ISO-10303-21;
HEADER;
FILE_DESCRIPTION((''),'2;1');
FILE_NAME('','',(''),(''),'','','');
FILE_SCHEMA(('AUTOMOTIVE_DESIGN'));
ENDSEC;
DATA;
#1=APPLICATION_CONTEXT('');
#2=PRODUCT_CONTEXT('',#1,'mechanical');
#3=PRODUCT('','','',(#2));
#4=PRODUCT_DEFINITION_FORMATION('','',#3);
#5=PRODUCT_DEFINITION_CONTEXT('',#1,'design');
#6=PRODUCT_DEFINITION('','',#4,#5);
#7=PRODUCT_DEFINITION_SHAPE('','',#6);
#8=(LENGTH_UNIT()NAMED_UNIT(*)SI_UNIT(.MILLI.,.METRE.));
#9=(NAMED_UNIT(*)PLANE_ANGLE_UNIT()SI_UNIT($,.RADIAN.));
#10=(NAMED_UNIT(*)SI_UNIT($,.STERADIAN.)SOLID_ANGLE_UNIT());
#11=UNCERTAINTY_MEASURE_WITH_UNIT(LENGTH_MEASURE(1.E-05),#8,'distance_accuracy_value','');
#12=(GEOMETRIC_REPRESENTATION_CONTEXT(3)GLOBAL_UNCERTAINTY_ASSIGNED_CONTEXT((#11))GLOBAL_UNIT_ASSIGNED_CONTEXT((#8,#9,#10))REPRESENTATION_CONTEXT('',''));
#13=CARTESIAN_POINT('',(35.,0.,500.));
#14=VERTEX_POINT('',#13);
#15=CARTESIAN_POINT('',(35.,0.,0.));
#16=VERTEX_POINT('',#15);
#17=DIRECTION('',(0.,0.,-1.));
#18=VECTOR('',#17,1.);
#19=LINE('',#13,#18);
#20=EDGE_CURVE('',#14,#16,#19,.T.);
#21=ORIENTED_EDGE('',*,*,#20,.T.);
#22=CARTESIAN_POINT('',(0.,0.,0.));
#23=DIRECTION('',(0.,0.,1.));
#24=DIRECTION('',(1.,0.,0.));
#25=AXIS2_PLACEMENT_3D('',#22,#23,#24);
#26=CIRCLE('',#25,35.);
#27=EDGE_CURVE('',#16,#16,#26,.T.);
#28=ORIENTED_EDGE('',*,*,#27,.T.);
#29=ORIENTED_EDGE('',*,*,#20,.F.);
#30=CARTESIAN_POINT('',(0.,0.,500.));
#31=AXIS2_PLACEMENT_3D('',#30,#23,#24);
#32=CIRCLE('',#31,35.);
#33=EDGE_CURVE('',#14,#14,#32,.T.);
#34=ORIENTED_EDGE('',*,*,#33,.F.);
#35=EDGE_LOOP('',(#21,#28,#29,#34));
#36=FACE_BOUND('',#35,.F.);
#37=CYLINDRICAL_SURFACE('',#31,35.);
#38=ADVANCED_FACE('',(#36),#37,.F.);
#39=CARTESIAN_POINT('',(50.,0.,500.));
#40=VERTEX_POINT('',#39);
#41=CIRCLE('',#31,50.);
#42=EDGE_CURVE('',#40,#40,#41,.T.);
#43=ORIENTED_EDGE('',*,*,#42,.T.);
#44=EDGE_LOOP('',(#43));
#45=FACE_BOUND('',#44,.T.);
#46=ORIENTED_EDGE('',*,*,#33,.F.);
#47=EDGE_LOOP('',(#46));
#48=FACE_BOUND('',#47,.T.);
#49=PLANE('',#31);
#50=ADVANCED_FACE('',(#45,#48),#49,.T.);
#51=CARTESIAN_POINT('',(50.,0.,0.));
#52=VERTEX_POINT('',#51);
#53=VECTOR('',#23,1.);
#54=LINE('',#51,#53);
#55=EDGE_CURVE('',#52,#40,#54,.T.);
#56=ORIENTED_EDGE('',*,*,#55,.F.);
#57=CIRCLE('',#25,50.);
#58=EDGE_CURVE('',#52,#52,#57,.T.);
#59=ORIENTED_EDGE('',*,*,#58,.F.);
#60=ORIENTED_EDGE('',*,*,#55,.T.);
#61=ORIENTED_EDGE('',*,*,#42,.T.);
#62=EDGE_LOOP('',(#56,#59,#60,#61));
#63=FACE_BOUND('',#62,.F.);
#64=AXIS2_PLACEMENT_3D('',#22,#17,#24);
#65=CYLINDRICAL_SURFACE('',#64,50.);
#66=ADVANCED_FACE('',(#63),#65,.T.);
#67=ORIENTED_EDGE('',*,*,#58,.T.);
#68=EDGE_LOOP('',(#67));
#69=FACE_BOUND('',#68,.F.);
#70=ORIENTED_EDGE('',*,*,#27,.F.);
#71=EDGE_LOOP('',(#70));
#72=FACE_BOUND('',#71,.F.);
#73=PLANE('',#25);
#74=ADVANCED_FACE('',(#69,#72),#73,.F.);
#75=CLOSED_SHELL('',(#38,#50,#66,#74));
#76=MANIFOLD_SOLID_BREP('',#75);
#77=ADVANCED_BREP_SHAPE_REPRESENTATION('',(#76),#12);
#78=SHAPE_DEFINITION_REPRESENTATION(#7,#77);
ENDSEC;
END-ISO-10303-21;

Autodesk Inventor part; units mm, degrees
ref_plane "YZ Plane" through (0, 0, 0) normal (1, 0, 0) x (0, 1, 0)
ref_plane "XZ Plane" through (0, 0, 0) normal (0, 1, 0) x (-1, 0, 0)
ref_plane "XY Plane" through (0, 0, 0) normal (0, 0, 1) x (1, 0, 0)
sketch "Sketch5" plane through (0, 0, 0) normal (0, 0, 1) x (1, 0, 0)
  circle A0 centre (0, 0) radius 50
  dimension "d12" = 100
extrude "Extrusion5" add sketch "Sketch5" along normal blind 500
sketch "Sketch6" plane through (0, 0, 500) normal (0, 0, 1) x (1, 0, 0)
  circle A0 centre (0, 0) radius 35
  dimension "d15" = 70
extrude "Extrusion6" cut sketch "Sketch6" against normal blind 500
sketch "Sketch7" plane through (0, 0, 500) normal (0, 0, 1) x (1, 0, 0)
  point P0 (0, 0)
properties part number "project rolller 1 part"
